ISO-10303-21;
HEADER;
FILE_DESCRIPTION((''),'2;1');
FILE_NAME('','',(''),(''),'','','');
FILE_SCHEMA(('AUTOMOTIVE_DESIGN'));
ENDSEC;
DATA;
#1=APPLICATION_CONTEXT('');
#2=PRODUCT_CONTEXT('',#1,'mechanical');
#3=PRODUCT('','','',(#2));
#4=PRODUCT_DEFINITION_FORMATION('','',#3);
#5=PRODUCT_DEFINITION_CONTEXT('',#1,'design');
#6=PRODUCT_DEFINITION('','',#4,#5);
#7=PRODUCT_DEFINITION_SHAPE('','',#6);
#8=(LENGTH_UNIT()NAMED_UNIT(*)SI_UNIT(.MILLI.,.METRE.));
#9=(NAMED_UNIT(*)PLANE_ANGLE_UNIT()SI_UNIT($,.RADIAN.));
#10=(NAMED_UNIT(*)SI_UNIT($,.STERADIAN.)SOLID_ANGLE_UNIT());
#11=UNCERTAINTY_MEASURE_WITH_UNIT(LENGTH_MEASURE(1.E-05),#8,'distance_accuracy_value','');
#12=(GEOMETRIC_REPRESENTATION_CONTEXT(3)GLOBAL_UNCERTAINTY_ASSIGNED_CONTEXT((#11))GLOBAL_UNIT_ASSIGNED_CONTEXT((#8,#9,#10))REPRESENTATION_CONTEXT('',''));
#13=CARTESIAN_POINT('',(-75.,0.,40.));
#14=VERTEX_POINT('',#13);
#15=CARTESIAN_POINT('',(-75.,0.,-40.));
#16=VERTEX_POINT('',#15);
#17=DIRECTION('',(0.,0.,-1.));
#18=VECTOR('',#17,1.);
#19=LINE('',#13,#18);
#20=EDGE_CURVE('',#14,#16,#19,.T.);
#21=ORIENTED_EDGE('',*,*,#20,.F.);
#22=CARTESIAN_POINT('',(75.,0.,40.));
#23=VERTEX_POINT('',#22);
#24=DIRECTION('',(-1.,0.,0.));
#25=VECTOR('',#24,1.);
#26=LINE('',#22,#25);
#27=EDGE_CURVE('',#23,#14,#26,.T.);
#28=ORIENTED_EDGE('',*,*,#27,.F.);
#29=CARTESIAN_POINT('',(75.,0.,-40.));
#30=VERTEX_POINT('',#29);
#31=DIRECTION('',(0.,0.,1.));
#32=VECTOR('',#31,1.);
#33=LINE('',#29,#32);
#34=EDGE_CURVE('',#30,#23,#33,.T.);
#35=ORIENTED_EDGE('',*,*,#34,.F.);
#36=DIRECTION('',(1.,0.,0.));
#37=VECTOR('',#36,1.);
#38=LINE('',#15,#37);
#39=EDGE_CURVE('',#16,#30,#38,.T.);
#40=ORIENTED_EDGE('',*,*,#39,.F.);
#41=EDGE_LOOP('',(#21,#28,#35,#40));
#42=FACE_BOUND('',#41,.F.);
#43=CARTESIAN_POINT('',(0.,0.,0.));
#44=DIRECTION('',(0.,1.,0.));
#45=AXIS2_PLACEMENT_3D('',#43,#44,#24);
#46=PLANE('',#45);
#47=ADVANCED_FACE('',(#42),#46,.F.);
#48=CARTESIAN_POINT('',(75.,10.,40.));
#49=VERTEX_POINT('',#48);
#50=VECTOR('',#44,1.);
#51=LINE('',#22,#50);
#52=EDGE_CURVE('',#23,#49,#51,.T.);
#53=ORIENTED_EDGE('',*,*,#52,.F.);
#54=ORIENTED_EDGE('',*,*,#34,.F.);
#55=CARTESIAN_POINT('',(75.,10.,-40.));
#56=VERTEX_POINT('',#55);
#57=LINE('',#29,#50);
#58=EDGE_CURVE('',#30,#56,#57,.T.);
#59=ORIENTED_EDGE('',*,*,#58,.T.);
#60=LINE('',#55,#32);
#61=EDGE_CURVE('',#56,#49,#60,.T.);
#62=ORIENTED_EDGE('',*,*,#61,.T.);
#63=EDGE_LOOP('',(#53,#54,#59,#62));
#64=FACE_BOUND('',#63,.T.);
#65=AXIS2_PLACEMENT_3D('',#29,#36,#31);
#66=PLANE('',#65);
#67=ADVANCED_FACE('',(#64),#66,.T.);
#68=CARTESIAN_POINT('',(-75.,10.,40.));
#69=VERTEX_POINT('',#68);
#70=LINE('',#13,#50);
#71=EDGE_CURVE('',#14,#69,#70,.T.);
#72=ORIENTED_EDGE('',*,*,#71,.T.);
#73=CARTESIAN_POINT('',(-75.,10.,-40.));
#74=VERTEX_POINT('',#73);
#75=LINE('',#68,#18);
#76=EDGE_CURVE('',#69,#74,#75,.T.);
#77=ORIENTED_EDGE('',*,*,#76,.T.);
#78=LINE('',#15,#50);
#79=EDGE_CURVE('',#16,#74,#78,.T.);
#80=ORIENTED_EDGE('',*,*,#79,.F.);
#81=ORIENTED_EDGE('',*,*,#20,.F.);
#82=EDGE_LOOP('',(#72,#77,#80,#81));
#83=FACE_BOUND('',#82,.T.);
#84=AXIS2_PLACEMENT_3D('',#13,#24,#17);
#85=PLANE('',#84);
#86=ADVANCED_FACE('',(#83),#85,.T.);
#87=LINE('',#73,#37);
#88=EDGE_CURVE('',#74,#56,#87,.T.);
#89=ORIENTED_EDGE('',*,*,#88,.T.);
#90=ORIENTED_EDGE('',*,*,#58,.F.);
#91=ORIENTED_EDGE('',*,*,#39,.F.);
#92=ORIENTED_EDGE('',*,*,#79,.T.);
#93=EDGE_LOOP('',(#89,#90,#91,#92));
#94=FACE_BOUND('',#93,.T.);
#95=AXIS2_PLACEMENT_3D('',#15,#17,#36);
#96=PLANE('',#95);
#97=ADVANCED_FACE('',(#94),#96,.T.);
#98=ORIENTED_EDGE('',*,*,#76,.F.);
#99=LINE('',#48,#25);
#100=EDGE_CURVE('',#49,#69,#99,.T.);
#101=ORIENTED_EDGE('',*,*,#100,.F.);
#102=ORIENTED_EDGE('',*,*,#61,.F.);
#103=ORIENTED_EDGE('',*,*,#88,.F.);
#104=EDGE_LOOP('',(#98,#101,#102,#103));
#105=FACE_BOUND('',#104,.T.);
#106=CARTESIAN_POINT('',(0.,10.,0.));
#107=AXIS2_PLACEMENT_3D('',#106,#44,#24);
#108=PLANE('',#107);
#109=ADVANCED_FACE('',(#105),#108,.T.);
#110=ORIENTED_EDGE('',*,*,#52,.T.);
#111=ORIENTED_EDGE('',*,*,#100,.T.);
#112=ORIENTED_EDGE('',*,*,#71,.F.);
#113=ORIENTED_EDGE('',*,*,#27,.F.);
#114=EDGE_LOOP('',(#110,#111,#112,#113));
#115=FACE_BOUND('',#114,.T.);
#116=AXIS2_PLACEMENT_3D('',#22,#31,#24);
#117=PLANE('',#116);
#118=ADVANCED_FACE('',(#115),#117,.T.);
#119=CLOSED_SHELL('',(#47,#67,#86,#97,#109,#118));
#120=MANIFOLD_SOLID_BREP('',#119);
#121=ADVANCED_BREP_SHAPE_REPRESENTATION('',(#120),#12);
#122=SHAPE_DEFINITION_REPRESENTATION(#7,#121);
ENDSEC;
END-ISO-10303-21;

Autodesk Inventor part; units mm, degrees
ref_plane "YZ Plane" through (0, 0, 0) normal (1, 0, 0) x (0, 1, 0)
ref_plane "XZ Plane" through (0, 0, 0) normal (0, 1, 0) x (-1, 0, 0)
ref_plane "XY Plane" through (0, 0, 0) normal (0, 0, 1) x (1, 0, 0)
sketch "Szkic1" plane through (0, 0, 0) normal (0, 1, 0) x (-1, 0, 0)
  line L0 (75, -40) -> (-75, -40)
  line L1 (-75, -40) -> (-75, 40)
  line L2 (-75, 40) -> (75, 40)
  line L3 (75, 40) -> (75, -40)
  line L4 (75, -40) -> (-75, 40) construction
  line L5 (-75, -40) -> (75, 40) construction
  point P0 (0, 0)
  dimension "d0" = 150
  dimension "d1" = 80
extrude "Wyciągnięcie proste1" add sketch "Szkic1" along normal blind 10
properties part number "podstawa krótka"
